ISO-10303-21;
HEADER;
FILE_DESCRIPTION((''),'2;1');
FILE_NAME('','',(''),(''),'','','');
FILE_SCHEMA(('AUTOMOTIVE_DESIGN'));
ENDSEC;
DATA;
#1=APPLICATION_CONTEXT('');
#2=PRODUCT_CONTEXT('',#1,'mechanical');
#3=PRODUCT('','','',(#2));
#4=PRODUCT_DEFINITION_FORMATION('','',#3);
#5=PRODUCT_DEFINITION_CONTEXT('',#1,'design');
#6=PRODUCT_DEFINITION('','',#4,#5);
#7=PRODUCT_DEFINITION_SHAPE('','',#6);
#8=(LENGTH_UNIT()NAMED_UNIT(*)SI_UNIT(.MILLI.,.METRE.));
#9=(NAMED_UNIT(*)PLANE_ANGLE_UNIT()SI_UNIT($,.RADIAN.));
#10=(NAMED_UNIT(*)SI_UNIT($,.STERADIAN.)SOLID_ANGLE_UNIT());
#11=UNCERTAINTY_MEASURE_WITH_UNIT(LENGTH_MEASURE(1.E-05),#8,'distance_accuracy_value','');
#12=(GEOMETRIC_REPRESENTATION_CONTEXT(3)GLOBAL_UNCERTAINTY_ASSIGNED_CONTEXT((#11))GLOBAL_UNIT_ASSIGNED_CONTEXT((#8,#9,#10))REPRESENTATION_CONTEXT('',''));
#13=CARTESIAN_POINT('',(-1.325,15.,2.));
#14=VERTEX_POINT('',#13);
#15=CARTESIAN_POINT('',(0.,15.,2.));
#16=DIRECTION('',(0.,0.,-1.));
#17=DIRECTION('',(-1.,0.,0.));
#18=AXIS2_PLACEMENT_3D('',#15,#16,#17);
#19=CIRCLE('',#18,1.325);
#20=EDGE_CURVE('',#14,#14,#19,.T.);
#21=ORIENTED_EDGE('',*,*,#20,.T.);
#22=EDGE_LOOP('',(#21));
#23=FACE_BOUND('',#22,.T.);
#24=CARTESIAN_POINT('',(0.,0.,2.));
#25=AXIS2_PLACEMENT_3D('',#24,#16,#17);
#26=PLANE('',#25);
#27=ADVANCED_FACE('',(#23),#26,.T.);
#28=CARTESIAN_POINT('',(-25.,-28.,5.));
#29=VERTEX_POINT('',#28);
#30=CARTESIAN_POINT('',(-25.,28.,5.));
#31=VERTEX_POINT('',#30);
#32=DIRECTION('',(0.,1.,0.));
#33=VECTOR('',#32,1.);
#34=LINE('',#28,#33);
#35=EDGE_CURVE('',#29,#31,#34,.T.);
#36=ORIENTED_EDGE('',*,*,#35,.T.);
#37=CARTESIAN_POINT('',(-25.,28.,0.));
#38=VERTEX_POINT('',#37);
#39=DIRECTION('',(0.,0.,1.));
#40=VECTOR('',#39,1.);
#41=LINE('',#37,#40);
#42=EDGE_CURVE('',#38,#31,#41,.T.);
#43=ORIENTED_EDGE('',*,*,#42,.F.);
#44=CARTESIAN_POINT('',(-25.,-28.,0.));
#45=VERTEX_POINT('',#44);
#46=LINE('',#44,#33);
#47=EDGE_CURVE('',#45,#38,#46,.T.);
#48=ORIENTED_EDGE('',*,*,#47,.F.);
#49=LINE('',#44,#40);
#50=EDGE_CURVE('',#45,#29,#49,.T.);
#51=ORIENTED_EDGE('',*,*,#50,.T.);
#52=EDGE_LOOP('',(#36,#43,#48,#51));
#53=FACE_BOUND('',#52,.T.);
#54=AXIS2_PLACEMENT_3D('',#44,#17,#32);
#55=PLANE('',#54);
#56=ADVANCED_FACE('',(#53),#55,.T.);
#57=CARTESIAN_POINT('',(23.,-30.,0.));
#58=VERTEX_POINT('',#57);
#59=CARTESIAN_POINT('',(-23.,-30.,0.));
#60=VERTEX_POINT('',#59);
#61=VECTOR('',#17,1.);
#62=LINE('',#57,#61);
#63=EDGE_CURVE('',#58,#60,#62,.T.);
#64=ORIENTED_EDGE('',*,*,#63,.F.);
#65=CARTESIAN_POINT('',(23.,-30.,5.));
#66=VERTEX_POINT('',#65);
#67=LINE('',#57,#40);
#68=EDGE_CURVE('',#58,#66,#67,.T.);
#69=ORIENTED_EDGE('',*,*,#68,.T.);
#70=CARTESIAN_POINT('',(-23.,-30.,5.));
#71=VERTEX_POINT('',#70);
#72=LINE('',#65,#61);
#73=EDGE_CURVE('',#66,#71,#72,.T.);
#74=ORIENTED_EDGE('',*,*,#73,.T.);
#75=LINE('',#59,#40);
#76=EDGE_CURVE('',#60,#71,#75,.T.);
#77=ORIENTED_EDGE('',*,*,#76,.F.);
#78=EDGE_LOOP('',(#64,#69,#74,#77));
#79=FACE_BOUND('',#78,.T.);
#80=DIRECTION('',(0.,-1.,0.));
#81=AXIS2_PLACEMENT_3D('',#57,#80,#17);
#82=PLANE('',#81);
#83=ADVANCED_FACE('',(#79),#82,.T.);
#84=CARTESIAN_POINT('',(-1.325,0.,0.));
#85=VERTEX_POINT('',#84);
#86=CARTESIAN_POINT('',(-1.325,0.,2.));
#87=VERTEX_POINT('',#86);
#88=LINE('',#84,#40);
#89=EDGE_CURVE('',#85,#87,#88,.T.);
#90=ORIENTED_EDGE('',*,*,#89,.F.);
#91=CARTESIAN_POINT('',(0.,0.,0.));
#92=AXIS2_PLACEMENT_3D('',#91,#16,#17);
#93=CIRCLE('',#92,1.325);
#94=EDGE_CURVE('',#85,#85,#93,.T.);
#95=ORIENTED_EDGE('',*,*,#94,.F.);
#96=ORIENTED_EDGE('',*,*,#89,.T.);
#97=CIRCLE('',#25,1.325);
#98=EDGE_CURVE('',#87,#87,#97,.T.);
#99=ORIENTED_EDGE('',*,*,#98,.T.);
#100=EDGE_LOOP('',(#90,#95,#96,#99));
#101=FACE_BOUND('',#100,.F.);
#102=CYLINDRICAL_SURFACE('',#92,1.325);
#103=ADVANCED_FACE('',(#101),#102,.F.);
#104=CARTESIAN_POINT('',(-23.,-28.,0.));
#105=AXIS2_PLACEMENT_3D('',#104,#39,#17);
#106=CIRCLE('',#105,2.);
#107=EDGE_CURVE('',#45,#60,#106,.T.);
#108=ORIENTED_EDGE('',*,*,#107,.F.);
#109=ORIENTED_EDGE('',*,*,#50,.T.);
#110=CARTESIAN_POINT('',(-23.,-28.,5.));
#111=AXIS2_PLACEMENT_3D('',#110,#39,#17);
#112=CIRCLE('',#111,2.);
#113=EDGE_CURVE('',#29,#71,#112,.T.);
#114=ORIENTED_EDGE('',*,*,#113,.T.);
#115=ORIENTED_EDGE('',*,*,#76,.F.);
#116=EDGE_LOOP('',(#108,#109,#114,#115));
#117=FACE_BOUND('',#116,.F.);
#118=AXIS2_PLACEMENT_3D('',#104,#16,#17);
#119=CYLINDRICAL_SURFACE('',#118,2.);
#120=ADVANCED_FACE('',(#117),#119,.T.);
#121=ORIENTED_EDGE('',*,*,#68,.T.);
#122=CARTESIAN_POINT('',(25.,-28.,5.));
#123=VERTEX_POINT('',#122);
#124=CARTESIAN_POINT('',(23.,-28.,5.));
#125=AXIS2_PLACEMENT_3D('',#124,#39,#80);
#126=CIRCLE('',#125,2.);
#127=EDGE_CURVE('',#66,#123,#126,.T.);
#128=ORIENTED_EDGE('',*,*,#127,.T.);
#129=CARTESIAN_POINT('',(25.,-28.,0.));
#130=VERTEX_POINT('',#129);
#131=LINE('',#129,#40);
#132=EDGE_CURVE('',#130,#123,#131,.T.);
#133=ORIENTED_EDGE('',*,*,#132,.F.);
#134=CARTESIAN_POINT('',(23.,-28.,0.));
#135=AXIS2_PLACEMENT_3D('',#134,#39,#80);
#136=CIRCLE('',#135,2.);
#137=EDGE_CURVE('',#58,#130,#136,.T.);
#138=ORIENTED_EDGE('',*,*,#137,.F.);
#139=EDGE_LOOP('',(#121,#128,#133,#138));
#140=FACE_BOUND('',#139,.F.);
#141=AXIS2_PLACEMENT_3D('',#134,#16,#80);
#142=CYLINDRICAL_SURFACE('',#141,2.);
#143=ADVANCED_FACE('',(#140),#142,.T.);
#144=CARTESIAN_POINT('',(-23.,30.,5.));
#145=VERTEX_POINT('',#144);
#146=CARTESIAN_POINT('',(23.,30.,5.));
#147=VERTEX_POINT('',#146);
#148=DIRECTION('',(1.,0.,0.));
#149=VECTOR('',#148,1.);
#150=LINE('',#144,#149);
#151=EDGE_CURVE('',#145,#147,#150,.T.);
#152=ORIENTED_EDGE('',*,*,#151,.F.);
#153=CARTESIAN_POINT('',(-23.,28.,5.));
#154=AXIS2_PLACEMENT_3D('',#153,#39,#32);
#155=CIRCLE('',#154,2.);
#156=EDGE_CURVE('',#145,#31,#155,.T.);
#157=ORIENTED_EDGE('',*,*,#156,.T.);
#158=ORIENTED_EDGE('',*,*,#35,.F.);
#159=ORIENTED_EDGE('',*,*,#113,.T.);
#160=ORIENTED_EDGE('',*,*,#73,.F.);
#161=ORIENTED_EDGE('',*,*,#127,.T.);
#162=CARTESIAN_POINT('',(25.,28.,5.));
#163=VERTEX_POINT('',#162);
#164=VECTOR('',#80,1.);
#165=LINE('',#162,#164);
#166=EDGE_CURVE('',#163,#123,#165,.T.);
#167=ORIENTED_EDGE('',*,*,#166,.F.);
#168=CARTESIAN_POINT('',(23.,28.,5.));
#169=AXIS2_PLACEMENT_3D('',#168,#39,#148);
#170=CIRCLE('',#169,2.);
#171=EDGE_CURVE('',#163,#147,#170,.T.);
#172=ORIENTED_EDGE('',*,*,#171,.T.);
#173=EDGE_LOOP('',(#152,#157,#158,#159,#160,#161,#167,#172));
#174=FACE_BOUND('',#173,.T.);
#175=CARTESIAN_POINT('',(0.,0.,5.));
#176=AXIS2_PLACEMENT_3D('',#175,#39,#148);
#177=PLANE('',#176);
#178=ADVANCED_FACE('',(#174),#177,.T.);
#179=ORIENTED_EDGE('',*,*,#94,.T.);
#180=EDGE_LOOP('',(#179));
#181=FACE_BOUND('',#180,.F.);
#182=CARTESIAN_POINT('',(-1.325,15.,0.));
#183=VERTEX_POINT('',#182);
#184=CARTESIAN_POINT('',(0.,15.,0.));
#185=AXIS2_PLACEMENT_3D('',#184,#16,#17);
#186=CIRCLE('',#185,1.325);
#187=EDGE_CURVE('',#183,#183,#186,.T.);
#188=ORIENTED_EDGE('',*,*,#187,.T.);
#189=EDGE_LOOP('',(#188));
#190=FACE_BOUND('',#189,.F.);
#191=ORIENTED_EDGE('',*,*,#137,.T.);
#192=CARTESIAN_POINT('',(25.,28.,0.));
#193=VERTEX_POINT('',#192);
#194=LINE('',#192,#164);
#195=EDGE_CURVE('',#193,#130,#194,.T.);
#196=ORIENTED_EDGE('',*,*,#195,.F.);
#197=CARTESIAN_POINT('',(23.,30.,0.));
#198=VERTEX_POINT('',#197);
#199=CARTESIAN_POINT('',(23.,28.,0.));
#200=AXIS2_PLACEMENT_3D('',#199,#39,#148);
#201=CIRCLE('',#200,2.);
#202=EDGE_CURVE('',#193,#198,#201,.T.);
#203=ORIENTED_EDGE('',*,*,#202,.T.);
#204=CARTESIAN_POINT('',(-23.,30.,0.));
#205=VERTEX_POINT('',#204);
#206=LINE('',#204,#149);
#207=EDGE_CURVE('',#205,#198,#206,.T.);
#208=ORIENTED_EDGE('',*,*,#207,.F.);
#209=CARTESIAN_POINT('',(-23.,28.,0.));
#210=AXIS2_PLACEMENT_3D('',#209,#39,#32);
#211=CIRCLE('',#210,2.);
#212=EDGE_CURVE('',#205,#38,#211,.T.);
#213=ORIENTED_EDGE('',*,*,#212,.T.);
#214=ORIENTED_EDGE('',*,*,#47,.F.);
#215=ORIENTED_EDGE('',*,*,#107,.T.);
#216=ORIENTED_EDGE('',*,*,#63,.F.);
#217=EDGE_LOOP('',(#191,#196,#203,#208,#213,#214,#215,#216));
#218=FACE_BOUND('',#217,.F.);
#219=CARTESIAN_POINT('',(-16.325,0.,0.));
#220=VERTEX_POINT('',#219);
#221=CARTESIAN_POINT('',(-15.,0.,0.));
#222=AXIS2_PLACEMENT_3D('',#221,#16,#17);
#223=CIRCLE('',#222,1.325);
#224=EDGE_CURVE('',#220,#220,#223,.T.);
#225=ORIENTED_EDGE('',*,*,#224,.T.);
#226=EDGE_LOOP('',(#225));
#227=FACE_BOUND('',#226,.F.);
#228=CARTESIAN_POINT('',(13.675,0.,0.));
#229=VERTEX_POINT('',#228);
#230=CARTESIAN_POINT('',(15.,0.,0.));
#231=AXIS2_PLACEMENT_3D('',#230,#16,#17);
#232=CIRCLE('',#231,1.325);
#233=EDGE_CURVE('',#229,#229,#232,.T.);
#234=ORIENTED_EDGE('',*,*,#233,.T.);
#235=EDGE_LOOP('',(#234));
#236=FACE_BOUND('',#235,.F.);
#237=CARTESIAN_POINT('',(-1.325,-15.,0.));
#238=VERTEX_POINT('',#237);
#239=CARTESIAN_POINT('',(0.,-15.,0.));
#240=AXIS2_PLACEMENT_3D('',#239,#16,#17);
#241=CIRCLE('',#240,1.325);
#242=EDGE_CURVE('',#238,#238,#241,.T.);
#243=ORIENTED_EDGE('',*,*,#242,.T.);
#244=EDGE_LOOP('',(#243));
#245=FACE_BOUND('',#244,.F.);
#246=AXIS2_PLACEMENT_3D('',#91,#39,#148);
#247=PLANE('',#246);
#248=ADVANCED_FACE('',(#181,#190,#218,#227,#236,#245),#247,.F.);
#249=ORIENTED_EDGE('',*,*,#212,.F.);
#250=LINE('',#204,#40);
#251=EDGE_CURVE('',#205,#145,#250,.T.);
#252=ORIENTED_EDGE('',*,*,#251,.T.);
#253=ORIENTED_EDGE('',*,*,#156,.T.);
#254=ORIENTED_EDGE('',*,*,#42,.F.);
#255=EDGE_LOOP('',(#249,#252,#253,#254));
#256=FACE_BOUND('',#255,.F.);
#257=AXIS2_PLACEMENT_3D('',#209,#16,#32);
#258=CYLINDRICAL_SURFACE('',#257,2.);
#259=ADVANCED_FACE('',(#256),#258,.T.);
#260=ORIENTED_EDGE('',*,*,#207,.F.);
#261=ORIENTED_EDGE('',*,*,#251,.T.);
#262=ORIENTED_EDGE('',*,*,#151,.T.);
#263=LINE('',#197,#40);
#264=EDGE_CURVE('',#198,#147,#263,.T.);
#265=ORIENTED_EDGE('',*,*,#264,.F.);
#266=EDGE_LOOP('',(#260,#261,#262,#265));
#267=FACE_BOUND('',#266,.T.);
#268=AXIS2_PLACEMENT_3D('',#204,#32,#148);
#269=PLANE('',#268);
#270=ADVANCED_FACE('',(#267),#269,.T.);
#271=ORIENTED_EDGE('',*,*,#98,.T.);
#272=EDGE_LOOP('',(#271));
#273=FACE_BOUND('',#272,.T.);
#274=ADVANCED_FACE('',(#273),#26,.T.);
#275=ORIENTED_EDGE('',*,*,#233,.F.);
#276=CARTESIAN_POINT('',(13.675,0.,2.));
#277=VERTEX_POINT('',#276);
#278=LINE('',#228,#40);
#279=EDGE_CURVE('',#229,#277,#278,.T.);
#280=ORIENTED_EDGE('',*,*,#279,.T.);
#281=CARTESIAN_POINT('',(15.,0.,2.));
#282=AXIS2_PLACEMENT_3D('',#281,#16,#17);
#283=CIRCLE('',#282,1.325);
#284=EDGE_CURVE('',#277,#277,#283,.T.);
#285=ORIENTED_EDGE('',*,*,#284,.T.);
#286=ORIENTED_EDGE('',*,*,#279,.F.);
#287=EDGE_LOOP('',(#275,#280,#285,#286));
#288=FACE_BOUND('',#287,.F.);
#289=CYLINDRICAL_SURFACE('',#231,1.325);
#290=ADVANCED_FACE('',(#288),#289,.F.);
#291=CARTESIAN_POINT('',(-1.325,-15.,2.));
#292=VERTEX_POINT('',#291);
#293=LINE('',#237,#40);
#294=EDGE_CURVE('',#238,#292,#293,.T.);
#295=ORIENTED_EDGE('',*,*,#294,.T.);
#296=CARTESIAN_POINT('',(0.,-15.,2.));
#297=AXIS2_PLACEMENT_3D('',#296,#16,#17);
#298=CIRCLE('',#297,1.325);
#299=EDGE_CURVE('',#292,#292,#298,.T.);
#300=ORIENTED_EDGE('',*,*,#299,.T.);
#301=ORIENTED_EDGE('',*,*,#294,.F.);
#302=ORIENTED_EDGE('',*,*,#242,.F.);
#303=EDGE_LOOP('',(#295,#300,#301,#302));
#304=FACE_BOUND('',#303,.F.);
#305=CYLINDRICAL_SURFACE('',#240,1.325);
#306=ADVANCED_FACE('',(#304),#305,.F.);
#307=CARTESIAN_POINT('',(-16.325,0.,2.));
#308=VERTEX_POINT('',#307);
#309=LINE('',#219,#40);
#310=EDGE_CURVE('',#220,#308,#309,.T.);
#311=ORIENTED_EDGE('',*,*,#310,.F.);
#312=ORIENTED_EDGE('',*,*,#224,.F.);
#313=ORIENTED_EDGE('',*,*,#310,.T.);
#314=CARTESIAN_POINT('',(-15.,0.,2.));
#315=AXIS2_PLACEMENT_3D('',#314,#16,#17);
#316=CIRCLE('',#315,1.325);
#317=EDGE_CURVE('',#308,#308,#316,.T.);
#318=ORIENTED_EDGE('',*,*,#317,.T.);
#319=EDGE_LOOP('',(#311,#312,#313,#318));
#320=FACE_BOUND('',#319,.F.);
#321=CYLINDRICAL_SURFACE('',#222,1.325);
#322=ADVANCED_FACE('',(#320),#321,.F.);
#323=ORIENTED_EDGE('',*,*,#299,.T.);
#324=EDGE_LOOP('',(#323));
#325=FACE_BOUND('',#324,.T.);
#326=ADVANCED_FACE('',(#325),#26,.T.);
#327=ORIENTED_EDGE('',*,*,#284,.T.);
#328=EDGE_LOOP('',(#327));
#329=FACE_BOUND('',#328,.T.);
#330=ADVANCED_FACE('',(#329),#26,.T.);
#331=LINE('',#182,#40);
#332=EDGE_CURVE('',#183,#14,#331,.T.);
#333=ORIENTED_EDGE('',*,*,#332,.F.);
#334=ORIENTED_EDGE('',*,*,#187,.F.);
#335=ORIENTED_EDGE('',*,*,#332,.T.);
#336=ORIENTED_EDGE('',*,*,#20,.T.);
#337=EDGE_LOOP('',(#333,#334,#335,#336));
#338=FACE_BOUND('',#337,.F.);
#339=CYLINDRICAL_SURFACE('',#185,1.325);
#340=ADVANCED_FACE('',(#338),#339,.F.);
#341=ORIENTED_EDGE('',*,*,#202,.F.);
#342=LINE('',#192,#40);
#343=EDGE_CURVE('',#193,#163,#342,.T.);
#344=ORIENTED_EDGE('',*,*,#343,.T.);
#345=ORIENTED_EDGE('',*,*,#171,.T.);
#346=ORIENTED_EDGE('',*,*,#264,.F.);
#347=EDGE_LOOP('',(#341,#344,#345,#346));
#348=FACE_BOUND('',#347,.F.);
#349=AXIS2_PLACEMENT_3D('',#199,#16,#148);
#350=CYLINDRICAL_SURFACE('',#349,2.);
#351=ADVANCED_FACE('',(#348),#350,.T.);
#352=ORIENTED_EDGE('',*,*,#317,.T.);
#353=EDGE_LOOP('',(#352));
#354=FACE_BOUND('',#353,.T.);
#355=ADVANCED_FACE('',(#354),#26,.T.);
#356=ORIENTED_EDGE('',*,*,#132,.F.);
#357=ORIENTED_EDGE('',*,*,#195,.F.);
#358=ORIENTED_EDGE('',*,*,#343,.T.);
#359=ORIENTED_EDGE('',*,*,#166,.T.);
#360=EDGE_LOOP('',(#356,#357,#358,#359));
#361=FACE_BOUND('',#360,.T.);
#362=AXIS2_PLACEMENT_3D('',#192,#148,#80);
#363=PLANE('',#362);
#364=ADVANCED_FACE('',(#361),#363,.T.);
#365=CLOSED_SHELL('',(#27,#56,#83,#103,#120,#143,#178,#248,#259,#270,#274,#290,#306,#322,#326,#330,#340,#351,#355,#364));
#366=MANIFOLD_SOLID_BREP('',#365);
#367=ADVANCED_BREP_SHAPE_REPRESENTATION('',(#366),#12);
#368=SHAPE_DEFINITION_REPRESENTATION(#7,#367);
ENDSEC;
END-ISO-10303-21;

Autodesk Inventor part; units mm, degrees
ref_plane "YZ Plane" through (0, 0, 0) normal (1, 0, 0) x (0, 1, 0)
ref_plane "XZ Plane" through (0, 0, 0) normal (0, 1, 0) x (-1, 0, 0)
ref_plane "XY Plane" through (0, 0, 0) normal (0, 0, 1) x (1, 0, 0)
sketch "Sketch1" plane through (0, 0, 0) normal (0, 0, 1) x (1, 0, 0)
  line L0 (-23, 30) -> (23, 30)
  line L1 (25, 28) -> (25, -28)
  line L2 (23, -30) -> (-23, -30)
  line L3 (-25, -28) -> (-25, 28)
  arc A0 (-23, 30) -> (-25, 28) centre (-23, 28) ccw
  arc A1 (-25, -28) -> (-23, -30) centre (-23, -28) ccw
  arc A2 (23, -30) -> (25, -28) centre (23, -28) ccw
  arc A3 (25, 28) -> (23, 30) centre (23, 28) ccw
  point P0 (0, 0)
  point P1 (-25, 30)
  point P2 (25, -30)
  point P3 (25, 30)
  dimension "d0" = 60
  dimension "d1" = 50
  dimension "d2" = 30
  dimension "d3" = 25
  dimension "d4" = 2
extrude "base" add sketch "Sketch1" along normal blind 5
sketch "Sketch3" plane through (0, 0, 0) normal (0, 0, -1) x (-1, 0, 0)
  circle A0 centre (0, -15) radius 1.325
  circle A1 centre (15, 0) radius 1.325
  circle A2 centre (0, 15) radius 1.325
  circle A3 centre (-15, 0) radius 1.325
  circle A4 centre (0, 0) radius 1.325
  dimension "d7" = 2.65
  dimension "d8" = 2.65
  dimension "d9" = 2.65
  dimension "d10" = 2.65
  dimension "d11" = 2.65
  dimension "d12" = 15
  dimension "d13" = 15
  dimension "d14" = 15
  dimension "d15" = 15
extrude "magnetMount" cut sketch "Sketch3" against normal blind 2
equation "\"d2\" = 0.5 * d0"
equation "\"d3\" = 0.5 * d1"
equation "\"d8\" = d7"
equation "\"d9\" = d7"
equation "\"d10\" = d7"
equation "\"d11\" = d7"
equation "\"d13\" = d12"
equation "\"d14\" = d12"
equation "\"d15\" = d13"
properties part number "sampleMount"
